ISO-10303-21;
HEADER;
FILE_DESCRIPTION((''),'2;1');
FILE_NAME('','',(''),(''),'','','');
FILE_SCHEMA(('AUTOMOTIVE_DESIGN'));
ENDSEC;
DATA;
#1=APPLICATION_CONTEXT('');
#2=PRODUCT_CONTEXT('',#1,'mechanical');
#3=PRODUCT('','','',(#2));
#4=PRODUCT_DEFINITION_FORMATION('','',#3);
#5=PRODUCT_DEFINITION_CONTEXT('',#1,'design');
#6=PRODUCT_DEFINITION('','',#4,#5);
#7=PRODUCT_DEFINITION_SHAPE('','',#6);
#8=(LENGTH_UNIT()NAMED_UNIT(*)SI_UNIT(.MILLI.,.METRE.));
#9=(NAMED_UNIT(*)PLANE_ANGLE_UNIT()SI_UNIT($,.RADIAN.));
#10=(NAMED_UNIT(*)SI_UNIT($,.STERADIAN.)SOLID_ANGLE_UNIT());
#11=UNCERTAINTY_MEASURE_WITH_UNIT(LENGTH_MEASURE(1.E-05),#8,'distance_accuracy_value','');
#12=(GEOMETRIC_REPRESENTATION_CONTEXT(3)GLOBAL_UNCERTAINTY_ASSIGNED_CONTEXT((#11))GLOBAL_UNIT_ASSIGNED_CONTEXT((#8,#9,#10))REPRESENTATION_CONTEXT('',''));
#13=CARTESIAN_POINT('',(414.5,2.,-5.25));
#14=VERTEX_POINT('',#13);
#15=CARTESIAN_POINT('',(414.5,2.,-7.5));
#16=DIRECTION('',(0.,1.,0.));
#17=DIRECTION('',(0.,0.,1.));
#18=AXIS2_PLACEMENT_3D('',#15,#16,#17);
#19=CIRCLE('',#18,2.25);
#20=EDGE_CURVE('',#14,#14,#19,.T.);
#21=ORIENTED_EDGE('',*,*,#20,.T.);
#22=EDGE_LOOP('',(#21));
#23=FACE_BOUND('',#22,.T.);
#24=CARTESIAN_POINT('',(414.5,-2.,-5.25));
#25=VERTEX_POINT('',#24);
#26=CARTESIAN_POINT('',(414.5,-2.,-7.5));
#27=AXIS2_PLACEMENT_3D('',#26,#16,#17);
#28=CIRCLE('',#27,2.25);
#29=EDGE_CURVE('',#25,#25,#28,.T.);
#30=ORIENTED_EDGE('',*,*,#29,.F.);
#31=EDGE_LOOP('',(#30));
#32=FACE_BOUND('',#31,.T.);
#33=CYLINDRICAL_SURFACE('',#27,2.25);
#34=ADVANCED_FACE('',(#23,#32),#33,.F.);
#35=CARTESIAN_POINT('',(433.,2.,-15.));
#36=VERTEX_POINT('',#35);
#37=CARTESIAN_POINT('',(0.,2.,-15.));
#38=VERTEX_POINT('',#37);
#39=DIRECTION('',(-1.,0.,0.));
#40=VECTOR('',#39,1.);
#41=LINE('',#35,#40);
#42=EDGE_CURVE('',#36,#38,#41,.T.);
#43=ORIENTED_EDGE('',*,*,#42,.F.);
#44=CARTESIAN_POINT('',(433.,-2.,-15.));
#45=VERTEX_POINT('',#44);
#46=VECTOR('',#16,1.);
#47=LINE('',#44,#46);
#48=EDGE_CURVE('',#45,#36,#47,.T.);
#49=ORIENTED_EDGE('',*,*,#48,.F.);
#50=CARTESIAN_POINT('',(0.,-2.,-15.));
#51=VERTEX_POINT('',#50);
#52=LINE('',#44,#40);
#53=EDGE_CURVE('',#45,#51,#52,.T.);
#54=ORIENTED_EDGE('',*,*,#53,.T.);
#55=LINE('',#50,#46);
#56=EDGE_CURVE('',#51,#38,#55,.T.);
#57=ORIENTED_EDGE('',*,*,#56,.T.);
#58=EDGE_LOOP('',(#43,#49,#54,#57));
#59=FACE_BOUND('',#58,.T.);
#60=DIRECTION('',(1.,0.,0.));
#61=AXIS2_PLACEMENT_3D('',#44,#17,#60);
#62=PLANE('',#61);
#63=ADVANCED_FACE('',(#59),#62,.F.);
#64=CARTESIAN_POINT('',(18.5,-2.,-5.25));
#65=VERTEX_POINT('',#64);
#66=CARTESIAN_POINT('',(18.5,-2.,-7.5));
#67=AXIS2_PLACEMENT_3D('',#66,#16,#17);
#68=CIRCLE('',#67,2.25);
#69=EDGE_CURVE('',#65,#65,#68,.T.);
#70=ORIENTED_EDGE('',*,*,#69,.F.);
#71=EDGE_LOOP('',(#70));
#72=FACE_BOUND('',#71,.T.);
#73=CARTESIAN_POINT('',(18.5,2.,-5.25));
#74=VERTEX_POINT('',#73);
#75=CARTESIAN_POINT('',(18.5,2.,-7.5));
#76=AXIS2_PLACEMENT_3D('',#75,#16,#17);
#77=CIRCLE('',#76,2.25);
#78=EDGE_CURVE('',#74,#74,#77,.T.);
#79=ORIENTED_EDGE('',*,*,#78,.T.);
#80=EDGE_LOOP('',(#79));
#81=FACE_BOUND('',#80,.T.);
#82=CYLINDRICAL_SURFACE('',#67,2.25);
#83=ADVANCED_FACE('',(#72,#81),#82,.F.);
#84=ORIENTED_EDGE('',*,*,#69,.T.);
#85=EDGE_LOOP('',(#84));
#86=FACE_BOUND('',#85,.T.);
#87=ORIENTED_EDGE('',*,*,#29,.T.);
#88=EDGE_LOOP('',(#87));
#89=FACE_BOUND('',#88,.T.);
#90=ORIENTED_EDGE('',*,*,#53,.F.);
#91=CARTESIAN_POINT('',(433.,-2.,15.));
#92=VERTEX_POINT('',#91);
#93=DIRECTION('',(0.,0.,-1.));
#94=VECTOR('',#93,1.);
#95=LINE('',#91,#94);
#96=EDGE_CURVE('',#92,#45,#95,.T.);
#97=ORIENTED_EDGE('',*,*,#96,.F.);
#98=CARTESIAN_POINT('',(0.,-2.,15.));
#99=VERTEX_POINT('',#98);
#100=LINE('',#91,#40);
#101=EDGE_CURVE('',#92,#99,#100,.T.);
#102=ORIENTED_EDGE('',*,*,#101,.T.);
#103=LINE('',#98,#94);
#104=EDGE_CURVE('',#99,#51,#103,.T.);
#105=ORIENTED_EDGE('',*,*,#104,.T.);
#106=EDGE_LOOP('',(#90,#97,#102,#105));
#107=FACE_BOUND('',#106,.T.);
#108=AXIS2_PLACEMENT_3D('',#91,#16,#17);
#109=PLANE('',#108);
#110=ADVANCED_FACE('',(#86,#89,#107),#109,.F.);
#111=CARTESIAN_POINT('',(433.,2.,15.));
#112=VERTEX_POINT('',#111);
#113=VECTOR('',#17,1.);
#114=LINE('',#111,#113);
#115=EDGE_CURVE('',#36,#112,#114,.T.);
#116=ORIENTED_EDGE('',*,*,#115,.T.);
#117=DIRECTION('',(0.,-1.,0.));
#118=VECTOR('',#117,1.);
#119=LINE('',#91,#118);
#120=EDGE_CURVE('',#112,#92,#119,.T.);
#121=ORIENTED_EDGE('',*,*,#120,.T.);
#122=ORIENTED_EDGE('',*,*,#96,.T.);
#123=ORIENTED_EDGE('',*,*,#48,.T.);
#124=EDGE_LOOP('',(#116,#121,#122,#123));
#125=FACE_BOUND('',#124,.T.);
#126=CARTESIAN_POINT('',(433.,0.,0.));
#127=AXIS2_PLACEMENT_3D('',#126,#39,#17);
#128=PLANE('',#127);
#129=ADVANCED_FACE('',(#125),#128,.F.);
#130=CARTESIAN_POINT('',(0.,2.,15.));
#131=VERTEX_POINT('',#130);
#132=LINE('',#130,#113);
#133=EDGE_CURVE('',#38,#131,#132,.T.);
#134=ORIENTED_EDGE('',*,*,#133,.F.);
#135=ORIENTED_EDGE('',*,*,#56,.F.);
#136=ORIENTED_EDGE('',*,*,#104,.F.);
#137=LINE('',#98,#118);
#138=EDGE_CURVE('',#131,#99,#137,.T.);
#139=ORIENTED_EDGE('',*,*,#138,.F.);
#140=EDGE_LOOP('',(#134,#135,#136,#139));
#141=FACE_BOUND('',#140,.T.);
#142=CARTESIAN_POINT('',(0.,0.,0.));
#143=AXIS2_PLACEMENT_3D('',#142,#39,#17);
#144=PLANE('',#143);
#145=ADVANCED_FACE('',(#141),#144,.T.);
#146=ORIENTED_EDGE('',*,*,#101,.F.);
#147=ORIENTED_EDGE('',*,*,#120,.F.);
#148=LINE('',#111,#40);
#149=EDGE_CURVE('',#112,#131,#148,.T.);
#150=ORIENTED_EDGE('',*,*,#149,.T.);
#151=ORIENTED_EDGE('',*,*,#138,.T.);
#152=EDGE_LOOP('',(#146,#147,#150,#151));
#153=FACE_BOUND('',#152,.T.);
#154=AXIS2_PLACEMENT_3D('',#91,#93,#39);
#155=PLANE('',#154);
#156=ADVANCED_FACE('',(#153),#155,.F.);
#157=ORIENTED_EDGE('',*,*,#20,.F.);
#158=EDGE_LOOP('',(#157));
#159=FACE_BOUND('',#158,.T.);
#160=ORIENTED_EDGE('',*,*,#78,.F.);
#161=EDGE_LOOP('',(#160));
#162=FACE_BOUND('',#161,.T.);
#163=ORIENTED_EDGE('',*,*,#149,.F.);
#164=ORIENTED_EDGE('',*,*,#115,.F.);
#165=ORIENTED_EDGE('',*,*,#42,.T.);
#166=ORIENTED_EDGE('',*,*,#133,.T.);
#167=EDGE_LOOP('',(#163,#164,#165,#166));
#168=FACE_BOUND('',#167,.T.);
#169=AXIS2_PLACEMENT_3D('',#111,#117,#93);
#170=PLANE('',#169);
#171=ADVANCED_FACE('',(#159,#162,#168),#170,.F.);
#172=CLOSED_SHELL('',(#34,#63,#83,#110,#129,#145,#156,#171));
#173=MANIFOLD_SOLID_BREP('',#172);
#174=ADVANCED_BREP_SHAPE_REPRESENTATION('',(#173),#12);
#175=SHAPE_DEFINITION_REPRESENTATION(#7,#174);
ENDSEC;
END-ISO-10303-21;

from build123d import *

# Parameters (mm, degrees)
SKETCH_1_W          = 30
SKETCH_1_H          = 4
EXTRUDE_1_DEPTH     = 433
SKETCH_2_R          = 2.25
CUT_EXTRUDE_1_DEPTH = 5


with BuildPart() as part:
    # Эскиз1 → Бобышка-Вытянуть1 (new body)
    with BuildSketch(Plane(origin=(0, 0, 0), x_dir=(0, 0, -1), z_dir=(1, 0, 0))):
        Rectangle(SKETCH_1_W, SKETCH_1_H)
    extrude(amount=EXTRUDE_1_DEPTH)

    # Эскиз2 → Вырез-Вытянуть1 (cut, through all)
    with BuildSketch(Plane(origin=(0, 2, 0), x_dir=(1, 0, 0), z_dir=(0, 1, 0))):
        with Locations((18.5, 7.5)):
            Circle(SKETCH_2_R)
        with Locations((414.5, 7.5)):
            Circle(SKETCH_2_R)
    extrude(amount=-CUT_EXTRUDE_1_DEPTH, mode=Mode.SUBTRACT)


solid = part.part
